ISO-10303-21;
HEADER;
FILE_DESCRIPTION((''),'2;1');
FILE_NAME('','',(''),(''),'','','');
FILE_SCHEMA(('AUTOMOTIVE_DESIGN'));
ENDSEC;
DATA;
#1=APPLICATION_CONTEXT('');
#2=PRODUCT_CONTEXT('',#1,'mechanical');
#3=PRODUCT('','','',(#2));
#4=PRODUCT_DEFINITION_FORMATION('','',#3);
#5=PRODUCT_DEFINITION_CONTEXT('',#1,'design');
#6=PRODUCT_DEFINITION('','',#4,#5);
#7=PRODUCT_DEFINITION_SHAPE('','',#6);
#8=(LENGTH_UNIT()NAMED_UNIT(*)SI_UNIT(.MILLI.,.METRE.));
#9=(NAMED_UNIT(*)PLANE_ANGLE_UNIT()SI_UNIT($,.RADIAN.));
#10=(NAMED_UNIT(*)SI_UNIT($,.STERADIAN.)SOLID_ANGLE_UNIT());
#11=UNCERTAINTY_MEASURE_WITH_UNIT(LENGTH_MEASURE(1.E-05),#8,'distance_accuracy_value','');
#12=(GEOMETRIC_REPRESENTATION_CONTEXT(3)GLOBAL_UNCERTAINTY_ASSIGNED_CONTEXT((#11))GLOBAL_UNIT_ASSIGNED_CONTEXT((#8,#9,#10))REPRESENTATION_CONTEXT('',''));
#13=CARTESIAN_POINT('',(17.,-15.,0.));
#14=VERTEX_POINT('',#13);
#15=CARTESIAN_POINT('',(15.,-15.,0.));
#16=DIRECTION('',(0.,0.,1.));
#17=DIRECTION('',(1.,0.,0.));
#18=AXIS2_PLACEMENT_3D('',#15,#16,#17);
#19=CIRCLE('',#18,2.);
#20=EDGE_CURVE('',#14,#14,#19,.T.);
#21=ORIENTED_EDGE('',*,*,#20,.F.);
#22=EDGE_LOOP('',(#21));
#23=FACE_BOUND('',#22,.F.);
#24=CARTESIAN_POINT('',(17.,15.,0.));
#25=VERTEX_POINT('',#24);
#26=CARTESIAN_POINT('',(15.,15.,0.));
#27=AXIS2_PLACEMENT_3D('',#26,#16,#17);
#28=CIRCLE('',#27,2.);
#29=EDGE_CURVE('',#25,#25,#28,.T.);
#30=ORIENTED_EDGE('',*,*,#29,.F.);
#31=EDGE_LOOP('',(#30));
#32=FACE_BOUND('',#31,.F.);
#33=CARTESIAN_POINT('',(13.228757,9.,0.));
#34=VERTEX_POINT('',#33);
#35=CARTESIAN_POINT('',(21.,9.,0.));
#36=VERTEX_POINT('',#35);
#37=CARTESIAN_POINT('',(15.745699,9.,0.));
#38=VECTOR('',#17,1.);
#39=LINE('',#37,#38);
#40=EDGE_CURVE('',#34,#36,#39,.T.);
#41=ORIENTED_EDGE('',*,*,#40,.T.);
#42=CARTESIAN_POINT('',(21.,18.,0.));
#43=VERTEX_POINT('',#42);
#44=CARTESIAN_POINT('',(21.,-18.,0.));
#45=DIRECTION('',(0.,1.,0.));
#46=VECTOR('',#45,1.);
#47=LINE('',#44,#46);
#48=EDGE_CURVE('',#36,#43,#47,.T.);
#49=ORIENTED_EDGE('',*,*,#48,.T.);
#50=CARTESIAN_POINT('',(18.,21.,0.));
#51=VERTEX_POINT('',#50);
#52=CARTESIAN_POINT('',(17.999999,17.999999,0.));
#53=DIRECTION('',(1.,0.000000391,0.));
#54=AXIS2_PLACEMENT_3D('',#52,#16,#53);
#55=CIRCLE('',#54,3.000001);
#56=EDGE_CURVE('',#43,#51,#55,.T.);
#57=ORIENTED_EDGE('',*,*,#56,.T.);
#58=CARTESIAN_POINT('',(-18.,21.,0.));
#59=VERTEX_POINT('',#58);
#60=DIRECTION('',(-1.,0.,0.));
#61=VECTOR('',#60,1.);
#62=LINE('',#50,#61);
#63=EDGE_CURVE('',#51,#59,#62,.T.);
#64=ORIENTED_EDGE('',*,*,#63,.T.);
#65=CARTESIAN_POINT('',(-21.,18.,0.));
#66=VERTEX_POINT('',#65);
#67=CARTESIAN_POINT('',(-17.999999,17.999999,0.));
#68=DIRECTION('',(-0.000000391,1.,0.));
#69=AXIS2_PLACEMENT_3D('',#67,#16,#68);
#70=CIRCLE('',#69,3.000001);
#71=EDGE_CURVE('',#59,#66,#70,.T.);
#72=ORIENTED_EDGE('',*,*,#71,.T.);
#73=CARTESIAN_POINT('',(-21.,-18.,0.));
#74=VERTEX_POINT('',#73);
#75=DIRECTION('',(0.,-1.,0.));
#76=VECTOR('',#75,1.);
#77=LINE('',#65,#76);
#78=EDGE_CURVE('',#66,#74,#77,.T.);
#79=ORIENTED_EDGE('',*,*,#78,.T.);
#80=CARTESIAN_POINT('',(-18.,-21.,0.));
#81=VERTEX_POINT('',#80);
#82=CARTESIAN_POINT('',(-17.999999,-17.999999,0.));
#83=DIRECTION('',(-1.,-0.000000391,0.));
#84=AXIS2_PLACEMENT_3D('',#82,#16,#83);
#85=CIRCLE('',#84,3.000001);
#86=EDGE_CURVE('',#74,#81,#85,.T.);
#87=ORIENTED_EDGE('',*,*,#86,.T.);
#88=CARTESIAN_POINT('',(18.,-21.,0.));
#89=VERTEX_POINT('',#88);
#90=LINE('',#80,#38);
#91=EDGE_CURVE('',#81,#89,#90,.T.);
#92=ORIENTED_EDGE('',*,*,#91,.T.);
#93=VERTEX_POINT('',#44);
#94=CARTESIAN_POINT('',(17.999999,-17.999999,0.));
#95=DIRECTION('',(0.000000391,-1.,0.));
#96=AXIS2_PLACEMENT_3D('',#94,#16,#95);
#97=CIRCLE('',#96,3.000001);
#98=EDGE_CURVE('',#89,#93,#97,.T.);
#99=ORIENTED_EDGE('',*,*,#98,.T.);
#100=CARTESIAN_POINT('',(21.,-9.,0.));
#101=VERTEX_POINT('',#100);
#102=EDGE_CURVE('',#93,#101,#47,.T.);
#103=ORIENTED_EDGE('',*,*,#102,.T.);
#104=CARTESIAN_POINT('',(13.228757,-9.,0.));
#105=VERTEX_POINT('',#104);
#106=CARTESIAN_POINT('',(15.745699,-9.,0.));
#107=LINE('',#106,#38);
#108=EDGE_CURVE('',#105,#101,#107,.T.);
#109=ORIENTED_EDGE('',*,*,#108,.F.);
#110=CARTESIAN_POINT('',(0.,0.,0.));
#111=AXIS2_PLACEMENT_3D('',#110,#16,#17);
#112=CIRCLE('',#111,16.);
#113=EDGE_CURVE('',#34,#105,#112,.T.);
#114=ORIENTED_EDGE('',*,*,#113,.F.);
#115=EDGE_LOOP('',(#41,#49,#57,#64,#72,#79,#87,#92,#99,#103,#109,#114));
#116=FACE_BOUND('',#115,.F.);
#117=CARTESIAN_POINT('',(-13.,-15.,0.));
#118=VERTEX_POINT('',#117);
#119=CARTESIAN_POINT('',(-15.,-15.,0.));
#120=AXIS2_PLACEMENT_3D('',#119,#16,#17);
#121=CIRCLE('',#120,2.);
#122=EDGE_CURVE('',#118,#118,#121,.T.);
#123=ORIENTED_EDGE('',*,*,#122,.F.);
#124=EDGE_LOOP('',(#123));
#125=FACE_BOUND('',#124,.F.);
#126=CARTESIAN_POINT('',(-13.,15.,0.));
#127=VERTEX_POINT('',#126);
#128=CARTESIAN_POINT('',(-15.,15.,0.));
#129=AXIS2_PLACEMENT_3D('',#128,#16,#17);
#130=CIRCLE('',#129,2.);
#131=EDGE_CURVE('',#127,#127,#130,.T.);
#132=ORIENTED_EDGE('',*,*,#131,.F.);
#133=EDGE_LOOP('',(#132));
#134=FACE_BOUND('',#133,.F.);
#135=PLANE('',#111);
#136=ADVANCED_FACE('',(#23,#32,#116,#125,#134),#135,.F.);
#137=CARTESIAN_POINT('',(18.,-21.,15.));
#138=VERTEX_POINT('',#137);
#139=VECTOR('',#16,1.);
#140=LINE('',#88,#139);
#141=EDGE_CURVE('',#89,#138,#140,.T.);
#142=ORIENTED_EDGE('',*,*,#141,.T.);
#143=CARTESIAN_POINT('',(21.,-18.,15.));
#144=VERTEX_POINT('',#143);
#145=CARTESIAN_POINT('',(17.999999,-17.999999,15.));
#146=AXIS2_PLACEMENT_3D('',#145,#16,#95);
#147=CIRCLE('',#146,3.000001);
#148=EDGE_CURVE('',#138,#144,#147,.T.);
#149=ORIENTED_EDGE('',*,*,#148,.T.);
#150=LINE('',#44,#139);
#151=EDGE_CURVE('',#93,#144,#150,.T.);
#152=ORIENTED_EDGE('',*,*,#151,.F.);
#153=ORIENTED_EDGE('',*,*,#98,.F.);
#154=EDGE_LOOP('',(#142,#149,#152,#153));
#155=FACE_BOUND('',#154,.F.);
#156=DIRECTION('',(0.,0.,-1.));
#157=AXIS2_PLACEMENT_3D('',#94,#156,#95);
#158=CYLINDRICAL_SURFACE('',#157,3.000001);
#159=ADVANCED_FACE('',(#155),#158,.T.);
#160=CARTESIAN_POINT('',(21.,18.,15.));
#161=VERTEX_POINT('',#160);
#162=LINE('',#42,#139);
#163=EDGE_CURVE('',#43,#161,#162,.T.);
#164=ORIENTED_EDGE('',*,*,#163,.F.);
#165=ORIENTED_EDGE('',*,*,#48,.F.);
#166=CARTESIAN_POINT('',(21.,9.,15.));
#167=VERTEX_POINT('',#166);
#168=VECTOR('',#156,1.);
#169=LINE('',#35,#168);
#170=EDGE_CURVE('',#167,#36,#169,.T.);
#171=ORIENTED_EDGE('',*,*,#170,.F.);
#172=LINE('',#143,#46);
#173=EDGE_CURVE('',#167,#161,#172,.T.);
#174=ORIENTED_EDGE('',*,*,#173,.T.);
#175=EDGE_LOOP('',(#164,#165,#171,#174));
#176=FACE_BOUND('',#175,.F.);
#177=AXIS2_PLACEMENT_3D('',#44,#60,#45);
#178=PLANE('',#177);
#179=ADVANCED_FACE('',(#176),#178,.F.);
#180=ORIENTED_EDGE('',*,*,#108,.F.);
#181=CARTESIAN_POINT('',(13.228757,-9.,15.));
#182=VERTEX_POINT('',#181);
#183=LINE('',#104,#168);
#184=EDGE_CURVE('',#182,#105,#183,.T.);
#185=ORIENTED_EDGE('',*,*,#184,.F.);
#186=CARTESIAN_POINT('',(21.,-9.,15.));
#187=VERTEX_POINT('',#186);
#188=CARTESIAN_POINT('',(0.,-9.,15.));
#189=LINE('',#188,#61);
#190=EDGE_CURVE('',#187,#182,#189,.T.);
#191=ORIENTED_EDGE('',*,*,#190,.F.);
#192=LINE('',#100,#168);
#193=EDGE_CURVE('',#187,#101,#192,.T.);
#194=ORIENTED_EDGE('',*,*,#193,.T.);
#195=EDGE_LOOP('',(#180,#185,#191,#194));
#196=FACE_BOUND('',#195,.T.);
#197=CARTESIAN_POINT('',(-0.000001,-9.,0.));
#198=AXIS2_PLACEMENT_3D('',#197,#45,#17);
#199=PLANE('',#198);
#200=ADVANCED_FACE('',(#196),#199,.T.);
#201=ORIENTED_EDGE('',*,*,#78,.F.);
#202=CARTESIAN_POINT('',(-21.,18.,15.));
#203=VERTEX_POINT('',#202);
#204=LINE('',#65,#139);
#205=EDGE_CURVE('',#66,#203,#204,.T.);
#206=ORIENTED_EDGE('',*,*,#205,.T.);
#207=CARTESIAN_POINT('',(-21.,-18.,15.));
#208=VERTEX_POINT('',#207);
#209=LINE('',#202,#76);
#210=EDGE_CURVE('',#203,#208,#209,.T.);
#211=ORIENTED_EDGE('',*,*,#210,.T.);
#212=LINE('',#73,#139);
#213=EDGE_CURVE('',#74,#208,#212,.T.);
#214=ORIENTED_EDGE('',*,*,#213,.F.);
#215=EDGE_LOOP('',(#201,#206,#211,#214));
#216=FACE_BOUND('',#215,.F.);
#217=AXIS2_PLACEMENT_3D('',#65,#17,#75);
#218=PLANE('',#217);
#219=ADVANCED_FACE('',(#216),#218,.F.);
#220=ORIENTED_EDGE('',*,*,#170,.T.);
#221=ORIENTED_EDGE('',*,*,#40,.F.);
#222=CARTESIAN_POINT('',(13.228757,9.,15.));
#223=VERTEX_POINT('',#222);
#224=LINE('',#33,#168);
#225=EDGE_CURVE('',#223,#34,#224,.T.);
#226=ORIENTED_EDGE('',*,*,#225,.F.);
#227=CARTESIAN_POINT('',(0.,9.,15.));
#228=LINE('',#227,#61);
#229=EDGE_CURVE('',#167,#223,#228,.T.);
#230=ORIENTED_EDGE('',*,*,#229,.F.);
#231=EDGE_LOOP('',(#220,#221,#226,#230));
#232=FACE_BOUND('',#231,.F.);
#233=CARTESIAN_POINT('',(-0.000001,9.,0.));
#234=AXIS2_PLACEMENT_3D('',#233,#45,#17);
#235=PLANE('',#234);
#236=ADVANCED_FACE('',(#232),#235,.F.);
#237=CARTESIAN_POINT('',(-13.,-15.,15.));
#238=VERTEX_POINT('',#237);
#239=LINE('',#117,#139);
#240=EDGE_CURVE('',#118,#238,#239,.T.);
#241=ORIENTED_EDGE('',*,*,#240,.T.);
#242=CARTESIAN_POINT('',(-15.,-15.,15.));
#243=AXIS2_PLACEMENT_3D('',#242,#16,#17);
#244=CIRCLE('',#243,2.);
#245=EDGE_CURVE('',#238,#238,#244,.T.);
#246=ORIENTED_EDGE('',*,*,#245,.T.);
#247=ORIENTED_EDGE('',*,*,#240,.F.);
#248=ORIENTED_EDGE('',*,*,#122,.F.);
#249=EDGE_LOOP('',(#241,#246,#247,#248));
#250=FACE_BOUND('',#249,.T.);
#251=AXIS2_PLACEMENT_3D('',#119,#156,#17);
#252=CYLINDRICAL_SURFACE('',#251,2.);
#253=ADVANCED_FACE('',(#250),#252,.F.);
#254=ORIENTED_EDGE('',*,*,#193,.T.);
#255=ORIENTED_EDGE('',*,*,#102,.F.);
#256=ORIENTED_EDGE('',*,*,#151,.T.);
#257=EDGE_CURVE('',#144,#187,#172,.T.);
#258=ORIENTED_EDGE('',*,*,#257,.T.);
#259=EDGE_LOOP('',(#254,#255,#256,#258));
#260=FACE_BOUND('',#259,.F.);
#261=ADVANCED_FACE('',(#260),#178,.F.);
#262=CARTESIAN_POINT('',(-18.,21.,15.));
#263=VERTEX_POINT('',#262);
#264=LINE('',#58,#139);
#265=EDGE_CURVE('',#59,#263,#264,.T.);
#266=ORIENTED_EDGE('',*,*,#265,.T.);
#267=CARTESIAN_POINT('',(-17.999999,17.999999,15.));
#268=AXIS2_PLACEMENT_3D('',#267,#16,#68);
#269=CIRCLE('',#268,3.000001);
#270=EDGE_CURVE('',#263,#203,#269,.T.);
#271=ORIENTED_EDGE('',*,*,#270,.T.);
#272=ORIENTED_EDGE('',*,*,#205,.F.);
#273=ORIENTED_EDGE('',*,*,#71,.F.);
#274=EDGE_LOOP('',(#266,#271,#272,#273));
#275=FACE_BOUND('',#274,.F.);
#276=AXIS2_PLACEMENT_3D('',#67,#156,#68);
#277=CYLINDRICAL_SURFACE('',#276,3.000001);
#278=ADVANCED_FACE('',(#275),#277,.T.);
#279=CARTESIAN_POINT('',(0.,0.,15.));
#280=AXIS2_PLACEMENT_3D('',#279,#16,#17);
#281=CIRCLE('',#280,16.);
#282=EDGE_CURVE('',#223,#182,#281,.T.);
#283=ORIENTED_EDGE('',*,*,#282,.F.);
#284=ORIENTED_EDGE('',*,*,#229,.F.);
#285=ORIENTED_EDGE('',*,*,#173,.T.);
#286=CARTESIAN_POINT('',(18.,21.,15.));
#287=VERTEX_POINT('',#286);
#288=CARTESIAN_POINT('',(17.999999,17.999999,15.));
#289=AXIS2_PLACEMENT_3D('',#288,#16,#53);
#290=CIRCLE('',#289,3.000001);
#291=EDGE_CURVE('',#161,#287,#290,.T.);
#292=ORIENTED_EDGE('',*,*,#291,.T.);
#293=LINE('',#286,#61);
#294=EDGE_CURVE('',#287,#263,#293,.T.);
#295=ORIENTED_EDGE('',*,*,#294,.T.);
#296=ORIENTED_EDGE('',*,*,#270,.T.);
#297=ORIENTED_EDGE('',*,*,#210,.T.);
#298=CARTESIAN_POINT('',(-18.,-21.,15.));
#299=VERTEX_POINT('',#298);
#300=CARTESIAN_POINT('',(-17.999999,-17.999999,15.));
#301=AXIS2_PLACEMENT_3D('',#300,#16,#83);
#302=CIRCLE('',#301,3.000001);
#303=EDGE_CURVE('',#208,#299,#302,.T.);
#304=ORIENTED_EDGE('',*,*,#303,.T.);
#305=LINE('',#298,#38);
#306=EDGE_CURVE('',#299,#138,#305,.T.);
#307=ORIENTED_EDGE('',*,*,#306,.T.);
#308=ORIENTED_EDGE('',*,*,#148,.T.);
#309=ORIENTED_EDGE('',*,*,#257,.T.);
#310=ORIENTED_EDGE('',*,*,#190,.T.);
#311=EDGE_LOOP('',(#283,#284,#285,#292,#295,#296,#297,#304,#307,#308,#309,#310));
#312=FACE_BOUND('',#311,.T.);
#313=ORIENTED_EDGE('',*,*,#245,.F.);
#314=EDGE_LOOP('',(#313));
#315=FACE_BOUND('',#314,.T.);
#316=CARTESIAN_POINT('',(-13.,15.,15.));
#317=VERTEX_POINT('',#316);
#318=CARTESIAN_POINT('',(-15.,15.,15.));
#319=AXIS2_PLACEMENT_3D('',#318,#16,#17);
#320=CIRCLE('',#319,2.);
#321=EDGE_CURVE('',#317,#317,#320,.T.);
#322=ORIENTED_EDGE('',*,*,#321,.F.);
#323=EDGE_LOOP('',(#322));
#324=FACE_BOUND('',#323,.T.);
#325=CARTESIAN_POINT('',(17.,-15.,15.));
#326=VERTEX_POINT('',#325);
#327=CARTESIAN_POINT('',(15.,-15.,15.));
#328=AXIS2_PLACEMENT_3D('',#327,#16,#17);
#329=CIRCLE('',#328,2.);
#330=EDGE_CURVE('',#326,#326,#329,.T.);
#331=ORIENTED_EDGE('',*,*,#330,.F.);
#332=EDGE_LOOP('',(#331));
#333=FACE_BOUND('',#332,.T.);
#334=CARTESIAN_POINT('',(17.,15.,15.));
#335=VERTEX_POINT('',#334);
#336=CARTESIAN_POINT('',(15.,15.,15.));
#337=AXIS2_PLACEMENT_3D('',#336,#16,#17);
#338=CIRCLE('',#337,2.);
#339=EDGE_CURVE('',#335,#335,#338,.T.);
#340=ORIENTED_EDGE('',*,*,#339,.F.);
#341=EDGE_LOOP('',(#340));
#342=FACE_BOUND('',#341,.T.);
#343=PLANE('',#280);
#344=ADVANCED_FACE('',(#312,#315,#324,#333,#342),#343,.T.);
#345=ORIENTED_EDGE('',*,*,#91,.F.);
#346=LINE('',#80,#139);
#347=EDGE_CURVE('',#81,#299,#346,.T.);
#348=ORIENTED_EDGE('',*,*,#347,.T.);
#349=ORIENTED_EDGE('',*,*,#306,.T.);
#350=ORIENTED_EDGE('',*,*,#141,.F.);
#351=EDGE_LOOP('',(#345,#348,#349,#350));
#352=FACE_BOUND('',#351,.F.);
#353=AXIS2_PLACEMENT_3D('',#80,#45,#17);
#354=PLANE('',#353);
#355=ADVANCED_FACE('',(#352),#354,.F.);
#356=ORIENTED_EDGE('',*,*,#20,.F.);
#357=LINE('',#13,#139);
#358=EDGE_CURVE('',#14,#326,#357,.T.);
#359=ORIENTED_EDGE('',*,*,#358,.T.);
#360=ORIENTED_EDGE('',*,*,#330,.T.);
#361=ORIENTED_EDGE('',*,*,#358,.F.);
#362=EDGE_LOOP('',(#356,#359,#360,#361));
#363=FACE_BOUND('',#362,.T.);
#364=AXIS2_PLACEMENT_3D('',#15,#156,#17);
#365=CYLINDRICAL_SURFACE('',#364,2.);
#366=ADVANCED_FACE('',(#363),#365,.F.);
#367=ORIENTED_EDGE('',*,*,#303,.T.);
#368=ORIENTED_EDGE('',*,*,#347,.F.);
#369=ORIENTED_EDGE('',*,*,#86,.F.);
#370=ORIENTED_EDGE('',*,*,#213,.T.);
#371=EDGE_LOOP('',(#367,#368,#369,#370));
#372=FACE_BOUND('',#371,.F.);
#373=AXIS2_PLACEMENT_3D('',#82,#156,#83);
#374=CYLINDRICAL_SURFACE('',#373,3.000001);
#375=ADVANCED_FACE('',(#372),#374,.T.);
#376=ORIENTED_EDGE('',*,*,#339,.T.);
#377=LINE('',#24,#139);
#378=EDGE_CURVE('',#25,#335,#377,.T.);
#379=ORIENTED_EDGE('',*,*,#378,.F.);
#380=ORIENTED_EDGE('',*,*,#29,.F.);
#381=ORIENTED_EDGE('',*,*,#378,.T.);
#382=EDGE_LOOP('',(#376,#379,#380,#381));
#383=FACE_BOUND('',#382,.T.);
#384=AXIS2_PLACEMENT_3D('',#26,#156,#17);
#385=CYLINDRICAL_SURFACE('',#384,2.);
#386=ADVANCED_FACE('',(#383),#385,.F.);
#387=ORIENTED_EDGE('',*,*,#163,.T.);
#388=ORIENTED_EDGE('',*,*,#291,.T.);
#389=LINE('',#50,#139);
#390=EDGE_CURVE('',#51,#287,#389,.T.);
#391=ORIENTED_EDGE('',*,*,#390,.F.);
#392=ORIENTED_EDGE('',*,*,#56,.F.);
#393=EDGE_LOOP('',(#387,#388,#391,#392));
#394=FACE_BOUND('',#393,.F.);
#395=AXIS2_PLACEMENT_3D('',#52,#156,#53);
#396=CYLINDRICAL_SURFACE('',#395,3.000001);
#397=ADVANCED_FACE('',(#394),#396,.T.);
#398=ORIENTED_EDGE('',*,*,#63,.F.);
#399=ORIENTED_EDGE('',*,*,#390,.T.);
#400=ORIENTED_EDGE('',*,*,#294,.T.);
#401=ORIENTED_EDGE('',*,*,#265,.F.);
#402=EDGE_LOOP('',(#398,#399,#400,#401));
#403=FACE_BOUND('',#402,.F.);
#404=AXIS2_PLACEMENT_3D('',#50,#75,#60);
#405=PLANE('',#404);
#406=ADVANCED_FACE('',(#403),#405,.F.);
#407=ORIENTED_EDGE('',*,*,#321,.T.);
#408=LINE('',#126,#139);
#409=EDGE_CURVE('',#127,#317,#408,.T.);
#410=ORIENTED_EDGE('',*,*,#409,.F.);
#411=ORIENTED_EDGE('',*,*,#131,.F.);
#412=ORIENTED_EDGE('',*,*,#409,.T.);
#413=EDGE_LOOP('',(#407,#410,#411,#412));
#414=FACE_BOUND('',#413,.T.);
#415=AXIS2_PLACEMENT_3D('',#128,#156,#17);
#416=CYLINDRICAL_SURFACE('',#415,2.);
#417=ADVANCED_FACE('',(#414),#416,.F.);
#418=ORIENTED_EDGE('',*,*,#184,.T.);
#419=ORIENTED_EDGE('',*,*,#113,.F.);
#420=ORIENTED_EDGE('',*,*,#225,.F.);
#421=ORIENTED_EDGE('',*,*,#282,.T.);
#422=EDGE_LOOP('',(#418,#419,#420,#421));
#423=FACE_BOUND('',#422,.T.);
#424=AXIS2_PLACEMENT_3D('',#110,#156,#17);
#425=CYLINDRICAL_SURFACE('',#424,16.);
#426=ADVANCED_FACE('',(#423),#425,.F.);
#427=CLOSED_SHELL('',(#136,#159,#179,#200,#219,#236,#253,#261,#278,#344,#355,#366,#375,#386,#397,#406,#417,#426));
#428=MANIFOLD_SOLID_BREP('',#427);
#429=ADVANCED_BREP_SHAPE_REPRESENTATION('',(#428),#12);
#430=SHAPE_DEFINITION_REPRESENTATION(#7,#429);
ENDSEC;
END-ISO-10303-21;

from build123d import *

# Parameters (mm, degrees)
F0_R     = 2
F0_R_2   = 16
F1_DEPTH = 15
F2_W     = 31.491399
F2_H     = 18
F3_DEPTH = 15.001


with BuildPart() as f1:
    # F0 (on Top) → F1 (new body)
    with BuildSketch(Plane.XY):
        with BuildLine():
            Line((-18, -21), (18, -21))
            ThreePointArc((18, -21), (20.12132, -20.12132), (21, -18))
            Line((21, -18), (21, 18))
            ThreePointArc((21, 18), (20.12132, 20.12132), (18, 21))
            Line((18, 21), (-18, 21))
            ThreePointArc((-18, 21), (-20.12132, 20.12132), (-21, 18))
            Line((-21, 18), (-21, -18))
            ThreePointArc((-21, -18), (-20.12132, -20.12132), (-18, -21))
        make_face()
        with Locations((-15, -15)):
            Circle(F0_R, mode=Mode.SUBTRACT)
        with Locations((15, -15)):
            Circle(F0_R, mode=Mode.SUBTRACT)
        with Locations((-15, 15)):
            Circle(F0_R, mode=Mode.SUBTRACT)
        Circle(F0_R_2, mode=Mode.SUBTRACT)
        with Locations((15, 15)):
            Circle(F0_R, mode=Mode.SUBTRACT)
    extrude(amount=F1_DEPTH)

    # F2 (on Top) → F3 (cut, through all)
    with BuildSketch(Plane.XY):
        with Locations((15.745699, 0)):
            Rectangle(F2_W, F2_H)
    extrude(amount=F3_DEPTH, mode=Mode.SUBTRACT)


solid = f1.part
